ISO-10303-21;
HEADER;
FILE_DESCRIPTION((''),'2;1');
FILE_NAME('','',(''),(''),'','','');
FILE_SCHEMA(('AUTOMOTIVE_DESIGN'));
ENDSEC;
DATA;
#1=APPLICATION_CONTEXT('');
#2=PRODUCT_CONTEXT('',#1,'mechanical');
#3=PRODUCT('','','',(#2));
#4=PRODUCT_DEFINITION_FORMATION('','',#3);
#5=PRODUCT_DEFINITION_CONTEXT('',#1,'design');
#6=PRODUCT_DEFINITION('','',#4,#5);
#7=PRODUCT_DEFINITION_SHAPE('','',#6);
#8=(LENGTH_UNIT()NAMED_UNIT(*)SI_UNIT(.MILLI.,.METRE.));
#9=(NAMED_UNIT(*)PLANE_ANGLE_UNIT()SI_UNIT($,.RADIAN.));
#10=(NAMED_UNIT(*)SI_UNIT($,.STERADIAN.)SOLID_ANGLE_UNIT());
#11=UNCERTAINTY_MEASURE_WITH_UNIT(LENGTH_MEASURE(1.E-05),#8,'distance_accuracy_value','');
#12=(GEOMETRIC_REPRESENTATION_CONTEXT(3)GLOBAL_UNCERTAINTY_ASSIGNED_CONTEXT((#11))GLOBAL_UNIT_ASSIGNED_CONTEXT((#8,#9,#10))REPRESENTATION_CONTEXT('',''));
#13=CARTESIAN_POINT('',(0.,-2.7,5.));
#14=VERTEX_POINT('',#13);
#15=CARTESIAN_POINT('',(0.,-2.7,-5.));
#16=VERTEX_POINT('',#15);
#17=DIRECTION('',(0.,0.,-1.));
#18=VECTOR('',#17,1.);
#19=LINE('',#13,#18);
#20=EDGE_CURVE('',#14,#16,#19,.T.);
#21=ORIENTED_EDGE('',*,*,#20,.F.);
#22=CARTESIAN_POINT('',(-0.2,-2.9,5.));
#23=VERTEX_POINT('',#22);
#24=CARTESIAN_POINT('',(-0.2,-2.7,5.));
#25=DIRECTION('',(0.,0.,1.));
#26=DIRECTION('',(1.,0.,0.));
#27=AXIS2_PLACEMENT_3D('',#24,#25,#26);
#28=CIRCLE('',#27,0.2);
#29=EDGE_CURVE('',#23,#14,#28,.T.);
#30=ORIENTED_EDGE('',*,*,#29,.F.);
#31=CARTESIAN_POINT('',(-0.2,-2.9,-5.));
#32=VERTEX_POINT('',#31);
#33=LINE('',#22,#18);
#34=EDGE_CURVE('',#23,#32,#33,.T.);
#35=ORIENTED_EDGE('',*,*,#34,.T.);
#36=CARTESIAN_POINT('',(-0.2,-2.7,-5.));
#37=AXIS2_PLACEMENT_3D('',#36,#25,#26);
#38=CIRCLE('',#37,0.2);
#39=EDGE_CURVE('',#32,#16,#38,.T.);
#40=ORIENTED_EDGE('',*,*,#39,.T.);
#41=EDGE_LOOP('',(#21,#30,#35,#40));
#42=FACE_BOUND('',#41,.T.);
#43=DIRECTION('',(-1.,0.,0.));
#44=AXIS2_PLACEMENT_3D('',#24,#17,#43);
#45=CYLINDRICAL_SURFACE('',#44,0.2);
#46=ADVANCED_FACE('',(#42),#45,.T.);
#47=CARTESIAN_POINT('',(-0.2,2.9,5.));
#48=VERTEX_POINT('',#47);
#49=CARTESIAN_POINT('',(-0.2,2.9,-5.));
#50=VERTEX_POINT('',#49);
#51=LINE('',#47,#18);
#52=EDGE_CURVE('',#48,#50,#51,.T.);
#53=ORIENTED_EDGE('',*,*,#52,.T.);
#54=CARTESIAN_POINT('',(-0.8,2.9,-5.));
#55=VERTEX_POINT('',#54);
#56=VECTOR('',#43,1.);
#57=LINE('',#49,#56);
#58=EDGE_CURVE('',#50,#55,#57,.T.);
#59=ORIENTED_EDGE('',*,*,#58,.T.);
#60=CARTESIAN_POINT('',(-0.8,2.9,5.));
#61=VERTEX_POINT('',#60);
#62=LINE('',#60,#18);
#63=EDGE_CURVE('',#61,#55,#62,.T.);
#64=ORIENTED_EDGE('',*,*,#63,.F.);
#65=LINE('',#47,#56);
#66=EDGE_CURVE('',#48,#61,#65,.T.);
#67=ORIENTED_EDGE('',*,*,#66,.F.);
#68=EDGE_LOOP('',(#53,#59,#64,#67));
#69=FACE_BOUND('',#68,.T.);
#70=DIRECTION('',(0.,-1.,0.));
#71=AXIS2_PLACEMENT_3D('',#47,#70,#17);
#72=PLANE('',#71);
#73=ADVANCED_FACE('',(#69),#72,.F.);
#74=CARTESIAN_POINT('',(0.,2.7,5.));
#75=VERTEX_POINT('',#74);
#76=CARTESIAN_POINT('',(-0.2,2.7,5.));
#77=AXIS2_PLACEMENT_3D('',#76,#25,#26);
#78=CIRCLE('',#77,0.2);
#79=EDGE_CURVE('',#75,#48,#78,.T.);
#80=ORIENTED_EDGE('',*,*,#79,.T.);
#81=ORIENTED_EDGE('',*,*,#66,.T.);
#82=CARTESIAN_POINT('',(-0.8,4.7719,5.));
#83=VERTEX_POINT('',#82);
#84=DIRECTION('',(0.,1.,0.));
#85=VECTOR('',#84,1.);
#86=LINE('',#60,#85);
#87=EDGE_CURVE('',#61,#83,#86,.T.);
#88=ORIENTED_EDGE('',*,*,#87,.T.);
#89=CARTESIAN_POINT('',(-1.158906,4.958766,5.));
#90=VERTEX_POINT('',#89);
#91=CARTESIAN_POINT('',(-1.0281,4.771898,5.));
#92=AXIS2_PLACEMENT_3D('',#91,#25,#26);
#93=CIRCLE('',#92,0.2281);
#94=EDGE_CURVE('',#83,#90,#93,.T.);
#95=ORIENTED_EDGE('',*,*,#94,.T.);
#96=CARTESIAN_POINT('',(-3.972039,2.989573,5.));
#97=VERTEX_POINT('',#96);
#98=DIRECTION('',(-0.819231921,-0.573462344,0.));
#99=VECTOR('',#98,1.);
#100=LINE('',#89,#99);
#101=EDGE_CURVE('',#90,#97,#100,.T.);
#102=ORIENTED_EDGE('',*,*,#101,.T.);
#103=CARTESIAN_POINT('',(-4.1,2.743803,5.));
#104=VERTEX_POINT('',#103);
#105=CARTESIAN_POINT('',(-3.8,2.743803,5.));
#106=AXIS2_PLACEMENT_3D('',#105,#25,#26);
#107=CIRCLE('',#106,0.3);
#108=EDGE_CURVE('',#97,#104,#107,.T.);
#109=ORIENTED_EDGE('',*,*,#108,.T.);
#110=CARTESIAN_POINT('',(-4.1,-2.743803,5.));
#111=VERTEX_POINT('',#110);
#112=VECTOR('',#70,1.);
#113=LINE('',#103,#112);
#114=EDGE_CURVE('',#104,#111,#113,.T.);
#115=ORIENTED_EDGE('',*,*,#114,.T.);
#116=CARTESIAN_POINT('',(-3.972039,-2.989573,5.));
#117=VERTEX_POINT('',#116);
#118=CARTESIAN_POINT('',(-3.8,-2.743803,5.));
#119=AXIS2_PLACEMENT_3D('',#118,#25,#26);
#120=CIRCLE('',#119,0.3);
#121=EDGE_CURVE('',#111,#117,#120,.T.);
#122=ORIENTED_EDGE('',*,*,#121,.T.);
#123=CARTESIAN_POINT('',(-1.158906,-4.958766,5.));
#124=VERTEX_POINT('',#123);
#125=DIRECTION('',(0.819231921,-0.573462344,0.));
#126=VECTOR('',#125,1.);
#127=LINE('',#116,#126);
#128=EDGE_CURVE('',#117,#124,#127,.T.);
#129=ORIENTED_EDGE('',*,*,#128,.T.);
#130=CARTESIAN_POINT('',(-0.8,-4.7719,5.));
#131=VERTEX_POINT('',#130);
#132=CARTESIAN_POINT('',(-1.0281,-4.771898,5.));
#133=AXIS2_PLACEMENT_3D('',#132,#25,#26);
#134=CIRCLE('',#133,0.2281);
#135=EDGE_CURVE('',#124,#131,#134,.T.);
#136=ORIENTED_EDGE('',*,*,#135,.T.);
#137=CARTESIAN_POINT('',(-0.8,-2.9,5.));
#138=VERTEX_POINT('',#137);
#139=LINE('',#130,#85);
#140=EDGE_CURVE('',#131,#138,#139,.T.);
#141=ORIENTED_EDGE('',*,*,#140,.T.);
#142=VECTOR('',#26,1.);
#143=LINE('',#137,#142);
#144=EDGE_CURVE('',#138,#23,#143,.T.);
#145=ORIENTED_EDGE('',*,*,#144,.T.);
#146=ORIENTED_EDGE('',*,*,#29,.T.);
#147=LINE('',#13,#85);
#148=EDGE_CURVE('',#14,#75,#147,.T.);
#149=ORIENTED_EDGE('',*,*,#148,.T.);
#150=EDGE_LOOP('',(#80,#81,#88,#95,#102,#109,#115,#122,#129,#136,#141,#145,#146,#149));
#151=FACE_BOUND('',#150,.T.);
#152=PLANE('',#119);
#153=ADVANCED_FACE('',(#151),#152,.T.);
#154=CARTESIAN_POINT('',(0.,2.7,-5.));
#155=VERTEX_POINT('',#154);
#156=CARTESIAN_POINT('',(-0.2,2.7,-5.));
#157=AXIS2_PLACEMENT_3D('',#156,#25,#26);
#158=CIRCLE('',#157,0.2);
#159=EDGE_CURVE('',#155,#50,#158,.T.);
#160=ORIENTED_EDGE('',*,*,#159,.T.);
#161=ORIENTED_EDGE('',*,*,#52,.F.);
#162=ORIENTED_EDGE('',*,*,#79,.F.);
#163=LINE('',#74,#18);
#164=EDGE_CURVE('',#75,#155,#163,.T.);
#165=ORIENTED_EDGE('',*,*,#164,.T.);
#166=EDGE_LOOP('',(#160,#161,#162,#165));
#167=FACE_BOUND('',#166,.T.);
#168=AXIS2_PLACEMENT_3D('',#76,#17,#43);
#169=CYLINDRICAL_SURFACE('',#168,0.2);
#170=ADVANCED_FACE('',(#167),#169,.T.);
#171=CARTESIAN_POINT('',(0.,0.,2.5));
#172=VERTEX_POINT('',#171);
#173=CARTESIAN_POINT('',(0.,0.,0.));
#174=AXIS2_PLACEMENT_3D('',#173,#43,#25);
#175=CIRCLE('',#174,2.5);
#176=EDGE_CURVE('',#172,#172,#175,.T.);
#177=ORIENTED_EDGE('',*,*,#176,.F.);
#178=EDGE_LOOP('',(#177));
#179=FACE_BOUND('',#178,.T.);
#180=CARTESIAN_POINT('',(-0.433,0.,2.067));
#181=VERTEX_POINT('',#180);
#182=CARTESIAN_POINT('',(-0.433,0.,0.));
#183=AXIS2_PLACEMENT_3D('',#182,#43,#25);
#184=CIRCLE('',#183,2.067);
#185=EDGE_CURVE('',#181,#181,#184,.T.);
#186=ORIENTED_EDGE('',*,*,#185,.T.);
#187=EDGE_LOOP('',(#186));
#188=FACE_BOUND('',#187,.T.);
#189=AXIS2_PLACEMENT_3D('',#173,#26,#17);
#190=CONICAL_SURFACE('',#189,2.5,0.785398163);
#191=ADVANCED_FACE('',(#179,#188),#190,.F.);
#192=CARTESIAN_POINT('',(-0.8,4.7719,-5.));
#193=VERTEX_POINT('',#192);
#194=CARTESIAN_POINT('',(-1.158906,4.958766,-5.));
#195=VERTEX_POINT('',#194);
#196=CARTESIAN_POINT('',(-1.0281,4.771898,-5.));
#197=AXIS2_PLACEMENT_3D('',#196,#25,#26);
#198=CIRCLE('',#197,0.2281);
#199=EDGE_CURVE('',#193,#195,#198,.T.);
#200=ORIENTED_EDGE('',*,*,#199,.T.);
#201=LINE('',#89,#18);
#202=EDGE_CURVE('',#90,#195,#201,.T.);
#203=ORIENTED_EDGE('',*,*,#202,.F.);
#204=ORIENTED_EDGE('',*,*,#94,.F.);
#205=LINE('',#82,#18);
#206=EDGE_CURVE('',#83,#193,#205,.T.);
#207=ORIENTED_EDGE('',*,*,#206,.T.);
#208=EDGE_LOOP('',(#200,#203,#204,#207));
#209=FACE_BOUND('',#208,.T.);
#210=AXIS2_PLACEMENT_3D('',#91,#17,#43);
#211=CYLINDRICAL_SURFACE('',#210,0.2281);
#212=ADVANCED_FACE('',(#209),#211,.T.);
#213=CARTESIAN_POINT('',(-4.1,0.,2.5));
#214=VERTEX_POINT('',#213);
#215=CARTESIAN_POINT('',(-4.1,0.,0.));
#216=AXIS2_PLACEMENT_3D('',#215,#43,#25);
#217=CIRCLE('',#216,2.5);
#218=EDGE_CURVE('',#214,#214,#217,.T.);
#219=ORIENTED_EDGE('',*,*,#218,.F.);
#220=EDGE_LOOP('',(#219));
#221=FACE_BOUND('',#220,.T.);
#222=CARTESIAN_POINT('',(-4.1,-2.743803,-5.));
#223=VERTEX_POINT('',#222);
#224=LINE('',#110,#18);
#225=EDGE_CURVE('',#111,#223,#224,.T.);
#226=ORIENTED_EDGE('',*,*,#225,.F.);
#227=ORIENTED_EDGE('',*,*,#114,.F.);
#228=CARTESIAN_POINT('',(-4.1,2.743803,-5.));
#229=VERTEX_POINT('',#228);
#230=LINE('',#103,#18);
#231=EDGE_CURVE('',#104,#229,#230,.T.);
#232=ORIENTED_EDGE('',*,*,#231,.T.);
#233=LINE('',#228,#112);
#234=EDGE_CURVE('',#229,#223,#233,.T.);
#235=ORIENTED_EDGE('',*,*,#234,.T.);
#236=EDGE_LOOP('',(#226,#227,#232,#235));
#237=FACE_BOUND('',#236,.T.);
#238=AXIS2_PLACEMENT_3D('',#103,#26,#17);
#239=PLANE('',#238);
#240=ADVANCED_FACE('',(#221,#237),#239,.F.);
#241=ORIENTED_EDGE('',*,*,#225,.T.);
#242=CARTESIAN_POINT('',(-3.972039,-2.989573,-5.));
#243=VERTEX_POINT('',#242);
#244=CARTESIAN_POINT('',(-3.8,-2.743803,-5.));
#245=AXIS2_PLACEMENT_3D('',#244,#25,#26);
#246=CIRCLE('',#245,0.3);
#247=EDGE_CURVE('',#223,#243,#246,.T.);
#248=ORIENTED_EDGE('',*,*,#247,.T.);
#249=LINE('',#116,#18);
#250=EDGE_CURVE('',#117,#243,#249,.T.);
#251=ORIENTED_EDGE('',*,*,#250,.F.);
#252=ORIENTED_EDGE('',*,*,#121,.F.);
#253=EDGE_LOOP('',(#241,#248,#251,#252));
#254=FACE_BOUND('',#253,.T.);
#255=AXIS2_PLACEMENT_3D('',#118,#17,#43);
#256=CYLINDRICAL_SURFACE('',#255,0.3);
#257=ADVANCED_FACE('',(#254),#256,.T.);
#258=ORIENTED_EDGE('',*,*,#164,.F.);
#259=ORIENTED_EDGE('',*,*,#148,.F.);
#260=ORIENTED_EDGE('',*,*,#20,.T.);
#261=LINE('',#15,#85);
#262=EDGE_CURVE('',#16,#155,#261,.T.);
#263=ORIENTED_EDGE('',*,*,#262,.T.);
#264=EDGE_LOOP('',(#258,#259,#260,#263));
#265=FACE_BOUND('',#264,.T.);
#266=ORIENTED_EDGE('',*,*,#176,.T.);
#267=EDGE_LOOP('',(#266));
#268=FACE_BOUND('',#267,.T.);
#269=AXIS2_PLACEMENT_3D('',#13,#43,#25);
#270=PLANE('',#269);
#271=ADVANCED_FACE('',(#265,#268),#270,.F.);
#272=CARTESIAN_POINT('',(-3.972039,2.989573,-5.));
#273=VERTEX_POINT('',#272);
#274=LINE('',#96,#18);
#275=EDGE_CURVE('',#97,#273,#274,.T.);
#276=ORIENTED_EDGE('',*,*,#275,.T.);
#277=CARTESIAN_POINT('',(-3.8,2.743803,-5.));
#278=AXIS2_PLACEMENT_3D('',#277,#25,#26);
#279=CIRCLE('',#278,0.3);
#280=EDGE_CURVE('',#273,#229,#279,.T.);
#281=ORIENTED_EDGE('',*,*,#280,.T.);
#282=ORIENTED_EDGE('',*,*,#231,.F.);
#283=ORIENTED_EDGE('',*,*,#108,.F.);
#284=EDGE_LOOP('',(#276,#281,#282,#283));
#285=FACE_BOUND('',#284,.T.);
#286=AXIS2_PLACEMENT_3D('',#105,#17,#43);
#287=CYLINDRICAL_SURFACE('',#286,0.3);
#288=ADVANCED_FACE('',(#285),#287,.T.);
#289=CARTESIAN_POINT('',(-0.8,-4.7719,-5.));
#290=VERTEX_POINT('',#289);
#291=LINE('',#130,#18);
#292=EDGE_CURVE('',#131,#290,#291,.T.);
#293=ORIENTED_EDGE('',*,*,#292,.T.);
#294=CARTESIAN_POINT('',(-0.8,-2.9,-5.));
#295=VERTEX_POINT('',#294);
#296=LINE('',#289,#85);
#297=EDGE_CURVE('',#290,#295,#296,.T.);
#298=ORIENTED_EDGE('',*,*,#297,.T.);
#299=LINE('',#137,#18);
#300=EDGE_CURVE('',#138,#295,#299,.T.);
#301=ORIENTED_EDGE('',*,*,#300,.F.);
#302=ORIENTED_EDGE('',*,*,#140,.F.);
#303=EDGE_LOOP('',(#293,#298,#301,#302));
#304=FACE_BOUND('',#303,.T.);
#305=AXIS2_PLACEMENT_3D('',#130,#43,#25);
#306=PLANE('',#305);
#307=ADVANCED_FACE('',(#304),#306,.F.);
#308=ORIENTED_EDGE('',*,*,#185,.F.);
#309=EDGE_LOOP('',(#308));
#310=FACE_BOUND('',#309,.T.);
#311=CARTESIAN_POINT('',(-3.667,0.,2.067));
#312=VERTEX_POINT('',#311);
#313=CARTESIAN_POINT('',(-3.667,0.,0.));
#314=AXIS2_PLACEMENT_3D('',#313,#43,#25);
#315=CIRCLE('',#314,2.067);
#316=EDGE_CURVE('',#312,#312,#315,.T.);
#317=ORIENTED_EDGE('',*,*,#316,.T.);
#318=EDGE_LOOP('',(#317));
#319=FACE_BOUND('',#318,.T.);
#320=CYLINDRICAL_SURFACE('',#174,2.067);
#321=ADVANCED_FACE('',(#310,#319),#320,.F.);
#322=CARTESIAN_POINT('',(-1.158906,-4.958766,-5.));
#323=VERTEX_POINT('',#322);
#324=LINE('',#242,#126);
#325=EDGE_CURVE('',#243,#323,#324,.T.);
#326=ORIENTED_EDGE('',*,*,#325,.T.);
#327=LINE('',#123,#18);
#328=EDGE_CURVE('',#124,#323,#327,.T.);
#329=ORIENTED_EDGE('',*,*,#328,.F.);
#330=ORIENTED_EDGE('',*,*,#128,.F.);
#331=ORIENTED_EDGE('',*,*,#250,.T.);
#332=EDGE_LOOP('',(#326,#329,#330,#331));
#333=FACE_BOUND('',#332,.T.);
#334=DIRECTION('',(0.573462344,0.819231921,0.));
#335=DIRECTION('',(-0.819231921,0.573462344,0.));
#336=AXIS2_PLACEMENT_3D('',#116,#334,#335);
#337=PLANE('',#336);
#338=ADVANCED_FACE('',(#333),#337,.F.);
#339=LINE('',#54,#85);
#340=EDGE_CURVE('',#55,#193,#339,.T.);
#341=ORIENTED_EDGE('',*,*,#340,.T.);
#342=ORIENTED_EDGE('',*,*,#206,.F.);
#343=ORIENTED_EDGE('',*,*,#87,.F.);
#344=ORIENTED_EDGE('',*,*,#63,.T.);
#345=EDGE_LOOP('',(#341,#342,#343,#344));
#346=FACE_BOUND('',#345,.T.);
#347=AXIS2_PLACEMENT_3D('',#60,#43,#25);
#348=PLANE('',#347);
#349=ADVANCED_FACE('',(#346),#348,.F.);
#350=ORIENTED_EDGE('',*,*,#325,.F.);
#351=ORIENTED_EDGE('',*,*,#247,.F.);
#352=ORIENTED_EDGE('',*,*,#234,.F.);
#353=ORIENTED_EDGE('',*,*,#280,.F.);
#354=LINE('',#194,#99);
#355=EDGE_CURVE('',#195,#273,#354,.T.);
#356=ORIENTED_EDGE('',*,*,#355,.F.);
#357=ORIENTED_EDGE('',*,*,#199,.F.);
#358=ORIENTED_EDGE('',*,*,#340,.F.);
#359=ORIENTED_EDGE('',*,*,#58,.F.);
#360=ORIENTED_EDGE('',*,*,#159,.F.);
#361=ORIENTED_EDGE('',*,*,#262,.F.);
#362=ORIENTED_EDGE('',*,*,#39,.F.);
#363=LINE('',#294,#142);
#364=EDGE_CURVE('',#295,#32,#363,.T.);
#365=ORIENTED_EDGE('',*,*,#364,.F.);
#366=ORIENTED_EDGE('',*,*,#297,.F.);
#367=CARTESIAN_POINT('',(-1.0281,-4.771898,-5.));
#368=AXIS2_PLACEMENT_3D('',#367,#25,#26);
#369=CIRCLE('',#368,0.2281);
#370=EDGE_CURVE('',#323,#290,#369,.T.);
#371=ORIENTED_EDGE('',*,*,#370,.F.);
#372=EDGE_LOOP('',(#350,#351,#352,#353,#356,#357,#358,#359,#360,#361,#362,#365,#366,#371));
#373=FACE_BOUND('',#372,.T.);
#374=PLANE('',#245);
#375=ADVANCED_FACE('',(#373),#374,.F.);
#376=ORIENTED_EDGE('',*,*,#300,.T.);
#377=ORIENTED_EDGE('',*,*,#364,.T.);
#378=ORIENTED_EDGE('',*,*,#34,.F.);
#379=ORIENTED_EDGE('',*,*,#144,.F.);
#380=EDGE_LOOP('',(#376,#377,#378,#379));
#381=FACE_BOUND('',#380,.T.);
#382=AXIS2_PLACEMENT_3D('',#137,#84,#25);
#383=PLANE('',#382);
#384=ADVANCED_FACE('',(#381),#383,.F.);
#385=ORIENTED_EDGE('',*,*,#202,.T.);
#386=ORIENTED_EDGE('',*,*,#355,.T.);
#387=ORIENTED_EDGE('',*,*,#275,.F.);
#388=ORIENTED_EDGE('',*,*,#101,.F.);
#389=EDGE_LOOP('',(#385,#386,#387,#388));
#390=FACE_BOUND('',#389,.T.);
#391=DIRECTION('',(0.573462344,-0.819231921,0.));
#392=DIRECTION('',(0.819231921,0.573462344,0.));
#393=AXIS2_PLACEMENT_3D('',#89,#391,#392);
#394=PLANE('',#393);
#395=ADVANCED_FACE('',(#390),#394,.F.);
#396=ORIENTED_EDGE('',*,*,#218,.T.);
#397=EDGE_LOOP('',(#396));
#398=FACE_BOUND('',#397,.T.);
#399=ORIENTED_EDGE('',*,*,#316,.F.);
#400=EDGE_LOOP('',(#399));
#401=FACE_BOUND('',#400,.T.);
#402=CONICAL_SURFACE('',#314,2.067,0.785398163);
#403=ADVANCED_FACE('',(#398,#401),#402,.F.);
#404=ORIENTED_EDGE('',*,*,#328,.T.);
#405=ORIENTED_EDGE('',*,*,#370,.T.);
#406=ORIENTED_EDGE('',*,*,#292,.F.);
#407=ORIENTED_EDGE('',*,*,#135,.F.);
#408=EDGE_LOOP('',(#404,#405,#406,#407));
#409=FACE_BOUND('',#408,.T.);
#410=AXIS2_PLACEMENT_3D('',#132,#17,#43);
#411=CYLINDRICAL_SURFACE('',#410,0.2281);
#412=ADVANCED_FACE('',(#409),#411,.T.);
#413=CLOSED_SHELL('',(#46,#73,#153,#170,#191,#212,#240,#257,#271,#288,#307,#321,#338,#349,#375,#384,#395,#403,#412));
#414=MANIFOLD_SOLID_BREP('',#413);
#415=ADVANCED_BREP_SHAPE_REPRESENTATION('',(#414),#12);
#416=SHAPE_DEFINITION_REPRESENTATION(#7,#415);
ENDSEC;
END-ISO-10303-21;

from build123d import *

# Parameters (mm, degrees)
BOSS_EXTRUDE1_DEPTH      = 5
BOSS_EXTRUDE1_DEPTH_BACK = 5


with BuildPart() as part:
    # Sketch1 → Boss-Extrude1 (new, two sides: drawn at the far end of the back side and taken through both)
    with BuildSketch(Plane.XY.offset(-BOSS_EXTRUDE1_DEPTH_BACK)):
        with BuildLine():
            Line((-3.972038703, -2.989572908), (-1.15890604, -4.958765772))
            ThreePointArc((-1.15890604, -4.958765772), (-0.922761342, -4.974218454), (-0.8, -4.7719))
            Line((-0.8, -4.7719), (-0.8, -2.9))
            Line((-0.8, -2.9), (-0.2, -2.9))
            ThreePointArc((-0.2, -2.9), (-0.058578644, -2.841421356), (0, -2.7))
            Line((0, -2.7), (0, 2.7))
            ThreePointArc((0, 2.7), (-0.058578644, 2.841421356), (-0.2, 2.9))
            Line((-0.2, 2.9), (-0.8, 2.9))
            Line((-0.8, 2.9), (-0.8, 4.7719))
            ThreePointArc((-0.8, 4.7719), (-0.922761342, 4.974218454), (-1.15890604, 4.958765772))
            Line((-1.15890604, 4.958765772), (-3.972038703, 2.989572908))
            ThreePointArc((-3.972038703, 2.989572908), (-4.066093603, 2.882346446), (-4.1, 2.743803332))
            Line((-4.1, 2.743803332), (-4.1, -2.743803332))
            ThreePointArc((-4.1, -2.743803332), (-4.066093603, -2.882346446), (-3.972038703, -2.989572908))
        make_face()
    extrude(amount=BOSS_EXTRUDE1_DEPTH + BOSS_EXTRUDE1_DEPTH_BACK)

    # Sketch2 → Cut-Revolve1 (revolve, cut)
    with BuildSketch(Plane.XY):
        Polygon((-4.1, 0), (-4.1, 2.5), (-3.667, 2.067), (-0.433, 2.067), (0, 2.5), (0, 0), align=None)
    revolve(axis=Axis((0, 0, 0), (-1, 0, 0)), mode=Mode.SUBTRACT)


solid = part.part
